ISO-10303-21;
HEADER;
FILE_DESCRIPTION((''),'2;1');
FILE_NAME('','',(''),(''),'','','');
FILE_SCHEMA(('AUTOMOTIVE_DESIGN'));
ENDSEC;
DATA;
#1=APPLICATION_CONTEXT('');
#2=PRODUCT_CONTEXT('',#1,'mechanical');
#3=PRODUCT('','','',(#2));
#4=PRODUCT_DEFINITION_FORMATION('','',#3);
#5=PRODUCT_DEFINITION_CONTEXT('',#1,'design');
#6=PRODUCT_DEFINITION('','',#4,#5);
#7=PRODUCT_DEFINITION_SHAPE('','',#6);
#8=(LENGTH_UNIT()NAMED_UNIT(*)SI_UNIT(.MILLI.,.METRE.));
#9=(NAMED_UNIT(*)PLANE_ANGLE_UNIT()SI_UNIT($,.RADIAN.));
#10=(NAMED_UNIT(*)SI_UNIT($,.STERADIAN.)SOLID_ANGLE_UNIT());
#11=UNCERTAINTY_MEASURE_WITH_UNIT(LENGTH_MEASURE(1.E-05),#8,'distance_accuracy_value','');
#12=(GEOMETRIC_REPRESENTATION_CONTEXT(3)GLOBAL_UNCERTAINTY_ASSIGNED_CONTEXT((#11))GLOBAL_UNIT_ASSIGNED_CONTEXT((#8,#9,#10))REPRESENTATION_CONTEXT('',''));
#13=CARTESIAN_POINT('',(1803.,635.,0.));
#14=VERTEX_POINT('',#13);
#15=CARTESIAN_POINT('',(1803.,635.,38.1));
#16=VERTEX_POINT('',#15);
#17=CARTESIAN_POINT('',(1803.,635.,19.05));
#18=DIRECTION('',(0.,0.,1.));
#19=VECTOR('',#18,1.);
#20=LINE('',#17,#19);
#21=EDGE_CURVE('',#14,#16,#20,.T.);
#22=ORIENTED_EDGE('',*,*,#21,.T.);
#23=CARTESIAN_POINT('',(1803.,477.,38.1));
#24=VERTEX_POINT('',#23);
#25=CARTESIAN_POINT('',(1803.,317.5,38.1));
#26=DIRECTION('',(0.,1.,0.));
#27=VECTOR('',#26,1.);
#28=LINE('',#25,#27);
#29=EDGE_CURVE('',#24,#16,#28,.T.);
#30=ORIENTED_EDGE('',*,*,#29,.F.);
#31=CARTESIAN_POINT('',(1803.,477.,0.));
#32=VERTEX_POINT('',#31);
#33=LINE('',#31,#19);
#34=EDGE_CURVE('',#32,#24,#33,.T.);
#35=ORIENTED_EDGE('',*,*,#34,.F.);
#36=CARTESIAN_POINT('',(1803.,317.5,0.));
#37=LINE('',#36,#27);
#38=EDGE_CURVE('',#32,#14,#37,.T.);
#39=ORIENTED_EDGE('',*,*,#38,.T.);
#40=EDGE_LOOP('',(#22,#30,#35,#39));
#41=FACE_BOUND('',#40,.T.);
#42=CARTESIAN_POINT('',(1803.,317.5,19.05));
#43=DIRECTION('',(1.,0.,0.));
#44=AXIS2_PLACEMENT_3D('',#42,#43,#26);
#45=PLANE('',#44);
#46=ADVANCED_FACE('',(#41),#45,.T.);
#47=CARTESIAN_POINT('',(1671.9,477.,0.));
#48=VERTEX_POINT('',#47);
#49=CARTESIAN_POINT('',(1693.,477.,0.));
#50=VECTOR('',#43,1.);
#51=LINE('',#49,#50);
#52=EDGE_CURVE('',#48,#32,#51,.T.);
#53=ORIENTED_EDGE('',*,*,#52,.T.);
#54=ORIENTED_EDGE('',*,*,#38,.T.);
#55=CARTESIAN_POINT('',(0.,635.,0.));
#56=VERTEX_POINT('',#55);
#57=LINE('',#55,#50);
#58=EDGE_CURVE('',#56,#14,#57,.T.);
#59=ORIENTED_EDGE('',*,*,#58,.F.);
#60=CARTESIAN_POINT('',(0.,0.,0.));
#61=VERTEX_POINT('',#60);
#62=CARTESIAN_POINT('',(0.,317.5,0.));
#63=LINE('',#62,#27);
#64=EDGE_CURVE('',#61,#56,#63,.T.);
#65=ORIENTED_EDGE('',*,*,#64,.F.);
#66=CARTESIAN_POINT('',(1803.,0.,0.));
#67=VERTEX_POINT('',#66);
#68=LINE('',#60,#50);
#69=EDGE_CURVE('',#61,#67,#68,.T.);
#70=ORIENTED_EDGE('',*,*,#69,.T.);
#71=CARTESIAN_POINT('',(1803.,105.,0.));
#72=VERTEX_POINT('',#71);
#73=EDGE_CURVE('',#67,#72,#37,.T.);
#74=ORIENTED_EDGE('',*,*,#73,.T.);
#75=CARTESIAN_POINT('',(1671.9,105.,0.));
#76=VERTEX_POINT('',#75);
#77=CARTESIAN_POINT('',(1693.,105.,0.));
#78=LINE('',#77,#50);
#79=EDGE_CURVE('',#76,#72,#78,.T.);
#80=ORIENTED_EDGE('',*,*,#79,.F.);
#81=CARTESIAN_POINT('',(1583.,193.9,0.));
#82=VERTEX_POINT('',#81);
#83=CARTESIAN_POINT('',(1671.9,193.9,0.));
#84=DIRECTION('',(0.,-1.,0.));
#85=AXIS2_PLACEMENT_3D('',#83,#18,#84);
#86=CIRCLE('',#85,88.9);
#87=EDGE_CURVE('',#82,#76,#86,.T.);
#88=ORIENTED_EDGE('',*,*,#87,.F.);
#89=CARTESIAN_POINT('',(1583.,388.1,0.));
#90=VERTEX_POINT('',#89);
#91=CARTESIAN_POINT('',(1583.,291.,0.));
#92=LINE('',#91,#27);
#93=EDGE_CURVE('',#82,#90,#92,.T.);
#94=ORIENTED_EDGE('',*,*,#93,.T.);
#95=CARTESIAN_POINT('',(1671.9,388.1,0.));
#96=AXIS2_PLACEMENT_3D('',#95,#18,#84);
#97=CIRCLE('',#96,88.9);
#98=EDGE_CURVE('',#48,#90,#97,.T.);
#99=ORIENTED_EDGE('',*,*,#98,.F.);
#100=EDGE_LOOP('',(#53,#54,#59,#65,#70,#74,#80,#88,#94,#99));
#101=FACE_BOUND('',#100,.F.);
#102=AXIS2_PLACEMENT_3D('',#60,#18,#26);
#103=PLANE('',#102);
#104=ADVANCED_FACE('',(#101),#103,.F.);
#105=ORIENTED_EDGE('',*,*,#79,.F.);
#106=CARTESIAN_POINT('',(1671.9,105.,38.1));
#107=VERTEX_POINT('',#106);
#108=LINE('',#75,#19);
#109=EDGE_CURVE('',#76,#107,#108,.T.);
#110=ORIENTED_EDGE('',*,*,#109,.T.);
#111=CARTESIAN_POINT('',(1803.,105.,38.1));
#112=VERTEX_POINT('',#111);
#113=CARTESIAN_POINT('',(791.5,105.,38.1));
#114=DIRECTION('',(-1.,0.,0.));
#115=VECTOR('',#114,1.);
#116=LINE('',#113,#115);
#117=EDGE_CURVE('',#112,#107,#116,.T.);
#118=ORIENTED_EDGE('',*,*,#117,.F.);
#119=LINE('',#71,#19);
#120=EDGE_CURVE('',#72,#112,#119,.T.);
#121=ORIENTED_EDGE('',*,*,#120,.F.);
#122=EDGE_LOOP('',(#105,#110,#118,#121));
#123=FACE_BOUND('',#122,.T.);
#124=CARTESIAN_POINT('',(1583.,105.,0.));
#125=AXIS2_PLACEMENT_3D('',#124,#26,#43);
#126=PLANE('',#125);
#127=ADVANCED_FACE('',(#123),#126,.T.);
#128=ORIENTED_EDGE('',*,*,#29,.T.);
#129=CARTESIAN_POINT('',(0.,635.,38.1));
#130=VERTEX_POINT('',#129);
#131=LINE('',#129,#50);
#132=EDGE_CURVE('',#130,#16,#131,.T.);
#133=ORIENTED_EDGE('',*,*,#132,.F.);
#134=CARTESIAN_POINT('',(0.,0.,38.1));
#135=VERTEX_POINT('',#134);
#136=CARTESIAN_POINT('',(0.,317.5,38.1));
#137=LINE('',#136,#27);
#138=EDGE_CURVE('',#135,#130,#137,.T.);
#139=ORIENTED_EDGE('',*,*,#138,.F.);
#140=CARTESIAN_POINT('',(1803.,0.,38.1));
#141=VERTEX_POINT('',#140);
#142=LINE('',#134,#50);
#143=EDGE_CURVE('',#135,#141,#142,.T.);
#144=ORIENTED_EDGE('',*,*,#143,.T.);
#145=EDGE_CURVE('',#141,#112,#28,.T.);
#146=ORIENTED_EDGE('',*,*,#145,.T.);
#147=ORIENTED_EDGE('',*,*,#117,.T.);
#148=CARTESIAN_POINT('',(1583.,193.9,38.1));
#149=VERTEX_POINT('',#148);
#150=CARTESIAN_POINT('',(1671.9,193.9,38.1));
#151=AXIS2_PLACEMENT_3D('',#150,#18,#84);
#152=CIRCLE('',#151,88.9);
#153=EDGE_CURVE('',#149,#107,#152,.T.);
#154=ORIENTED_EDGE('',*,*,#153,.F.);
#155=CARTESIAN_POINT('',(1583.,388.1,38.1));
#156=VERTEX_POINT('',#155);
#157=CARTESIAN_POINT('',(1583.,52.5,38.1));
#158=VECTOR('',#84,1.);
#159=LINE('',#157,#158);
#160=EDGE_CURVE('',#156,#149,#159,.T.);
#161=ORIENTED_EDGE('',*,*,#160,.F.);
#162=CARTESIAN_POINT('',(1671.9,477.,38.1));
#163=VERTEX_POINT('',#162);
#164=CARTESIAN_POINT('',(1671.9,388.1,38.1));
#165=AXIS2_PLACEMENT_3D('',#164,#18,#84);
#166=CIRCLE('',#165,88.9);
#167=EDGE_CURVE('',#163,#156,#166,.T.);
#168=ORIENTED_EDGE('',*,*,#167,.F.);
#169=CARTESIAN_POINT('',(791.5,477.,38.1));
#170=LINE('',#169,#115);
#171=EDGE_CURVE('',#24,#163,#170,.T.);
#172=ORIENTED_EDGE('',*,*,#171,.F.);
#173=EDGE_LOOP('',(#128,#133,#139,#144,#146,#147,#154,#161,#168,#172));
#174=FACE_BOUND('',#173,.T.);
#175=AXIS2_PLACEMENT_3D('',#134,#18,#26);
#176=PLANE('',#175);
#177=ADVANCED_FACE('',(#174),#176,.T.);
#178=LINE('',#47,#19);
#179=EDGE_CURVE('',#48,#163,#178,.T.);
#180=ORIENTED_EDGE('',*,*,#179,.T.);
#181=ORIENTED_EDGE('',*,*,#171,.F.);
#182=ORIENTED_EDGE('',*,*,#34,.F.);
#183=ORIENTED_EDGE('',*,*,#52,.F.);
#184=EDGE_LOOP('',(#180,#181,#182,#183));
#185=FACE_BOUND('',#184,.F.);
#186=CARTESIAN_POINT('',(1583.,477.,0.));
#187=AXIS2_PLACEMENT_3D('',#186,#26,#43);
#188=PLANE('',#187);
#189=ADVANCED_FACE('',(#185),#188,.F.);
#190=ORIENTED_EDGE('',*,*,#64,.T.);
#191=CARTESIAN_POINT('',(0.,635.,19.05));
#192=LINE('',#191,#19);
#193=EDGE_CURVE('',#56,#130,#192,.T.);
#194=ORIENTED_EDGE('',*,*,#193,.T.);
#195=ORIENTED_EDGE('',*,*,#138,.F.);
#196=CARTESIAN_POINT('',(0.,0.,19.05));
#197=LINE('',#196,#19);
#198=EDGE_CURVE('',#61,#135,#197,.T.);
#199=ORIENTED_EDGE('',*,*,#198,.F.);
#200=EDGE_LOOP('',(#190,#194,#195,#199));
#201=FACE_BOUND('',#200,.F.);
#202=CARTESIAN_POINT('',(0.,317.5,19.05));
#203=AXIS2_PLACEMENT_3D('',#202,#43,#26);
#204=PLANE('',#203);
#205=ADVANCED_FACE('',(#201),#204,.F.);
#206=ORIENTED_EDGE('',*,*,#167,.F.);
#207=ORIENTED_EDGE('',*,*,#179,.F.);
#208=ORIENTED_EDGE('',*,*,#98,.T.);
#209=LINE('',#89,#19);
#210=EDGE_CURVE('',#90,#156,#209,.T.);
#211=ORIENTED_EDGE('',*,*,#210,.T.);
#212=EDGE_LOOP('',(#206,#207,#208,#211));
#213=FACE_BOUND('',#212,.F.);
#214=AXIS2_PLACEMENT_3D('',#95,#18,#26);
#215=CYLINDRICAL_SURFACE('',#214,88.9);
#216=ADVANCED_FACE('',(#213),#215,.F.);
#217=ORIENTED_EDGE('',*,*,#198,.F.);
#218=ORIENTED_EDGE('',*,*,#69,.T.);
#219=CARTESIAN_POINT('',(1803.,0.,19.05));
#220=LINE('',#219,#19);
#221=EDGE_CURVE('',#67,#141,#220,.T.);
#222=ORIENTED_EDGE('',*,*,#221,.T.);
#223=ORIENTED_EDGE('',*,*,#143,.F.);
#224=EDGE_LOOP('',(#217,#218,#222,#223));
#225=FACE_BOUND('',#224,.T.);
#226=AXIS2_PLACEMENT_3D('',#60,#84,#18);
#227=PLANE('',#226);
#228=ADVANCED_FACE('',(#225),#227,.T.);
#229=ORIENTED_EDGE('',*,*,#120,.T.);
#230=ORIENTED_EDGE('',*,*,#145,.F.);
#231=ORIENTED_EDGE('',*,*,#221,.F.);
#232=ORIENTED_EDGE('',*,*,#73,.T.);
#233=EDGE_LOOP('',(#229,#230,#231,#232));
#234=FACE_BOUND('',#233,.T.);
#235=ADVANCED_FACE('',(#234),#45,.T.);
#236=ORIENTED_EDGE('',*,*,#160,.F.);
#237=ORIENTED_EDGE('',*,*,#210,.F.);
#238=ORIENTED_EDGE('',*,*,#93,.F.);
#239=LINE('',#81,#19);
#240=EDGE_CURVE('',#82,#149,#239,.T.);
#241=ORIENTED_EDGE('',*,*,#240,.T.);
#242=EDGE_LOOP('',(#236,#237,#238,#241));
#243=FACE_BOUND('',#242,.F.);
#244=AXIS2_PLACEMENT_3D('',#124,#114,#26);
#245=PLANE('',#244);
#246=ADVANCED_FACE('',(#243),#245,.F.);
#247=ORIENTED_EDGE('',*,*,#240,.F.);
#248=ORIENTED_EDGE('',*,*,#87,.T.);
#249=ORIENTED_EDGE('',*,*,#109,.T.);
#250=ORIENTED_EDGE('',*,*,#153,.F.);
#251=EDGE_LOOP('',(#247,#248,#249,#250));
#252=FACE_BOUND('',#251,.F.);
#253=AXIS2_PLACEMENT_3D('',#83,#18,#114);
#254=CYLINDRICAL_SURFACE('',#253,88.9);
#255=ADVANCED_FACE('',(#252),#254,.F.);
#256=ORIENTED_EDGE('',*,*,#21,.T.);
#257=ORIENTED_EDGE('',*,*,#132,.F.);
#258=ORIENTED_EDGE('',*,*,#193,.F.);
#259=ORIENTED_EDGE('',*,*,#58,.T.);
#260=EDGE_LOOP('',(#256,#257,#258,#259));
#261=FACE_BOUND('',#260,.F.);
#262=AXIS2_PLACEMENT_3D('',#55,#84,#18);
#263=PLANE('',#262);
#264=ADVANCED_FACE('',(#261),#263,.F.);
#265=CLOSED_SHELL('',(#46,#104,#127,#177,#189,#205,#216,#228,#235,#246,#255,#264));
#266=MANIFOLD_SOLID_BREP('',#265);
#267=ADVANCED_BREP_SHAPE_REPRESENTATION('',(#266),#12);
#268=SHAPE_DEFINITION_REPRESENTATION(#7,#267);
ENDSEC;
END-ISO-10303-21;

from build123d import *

# Parameters (mm, degrees)
F0_W     = 635
F0_H     = 38.1
F1_DEPTH = 1803
F2_W     = 220
F2_H     = 372
F3_DEPTH = 38.101
F4_R     = 88.9


with BuildPart() as f1:
    # F0 (on Right) → F1 (new body)
    with BuildSketch(Plane.YZ):
        with Locations((317.5, 19.05)):
            Rectangle(F0_W, F0_H)
    extrude(amount=F1_DEPTH)

    # F2 (on Top) → F3 (cut, through all)
    with BuildSketch(Plane.XY):
        with Locations((1693, 291)):
            Rectangle(F2_W, F2_H)
    extrude(amount=F3_DEPTH, mode=Mode.SUBTRACT)

    # F4
    f4_edges = [f1.edges().sort_by_distance(p)[0] for p in [
        (1583, 477, 19.05),
        (1583, 105, 19.05),
    ]]
    fillet(f4_edges, radius=F4_R)


solid = f1.part
